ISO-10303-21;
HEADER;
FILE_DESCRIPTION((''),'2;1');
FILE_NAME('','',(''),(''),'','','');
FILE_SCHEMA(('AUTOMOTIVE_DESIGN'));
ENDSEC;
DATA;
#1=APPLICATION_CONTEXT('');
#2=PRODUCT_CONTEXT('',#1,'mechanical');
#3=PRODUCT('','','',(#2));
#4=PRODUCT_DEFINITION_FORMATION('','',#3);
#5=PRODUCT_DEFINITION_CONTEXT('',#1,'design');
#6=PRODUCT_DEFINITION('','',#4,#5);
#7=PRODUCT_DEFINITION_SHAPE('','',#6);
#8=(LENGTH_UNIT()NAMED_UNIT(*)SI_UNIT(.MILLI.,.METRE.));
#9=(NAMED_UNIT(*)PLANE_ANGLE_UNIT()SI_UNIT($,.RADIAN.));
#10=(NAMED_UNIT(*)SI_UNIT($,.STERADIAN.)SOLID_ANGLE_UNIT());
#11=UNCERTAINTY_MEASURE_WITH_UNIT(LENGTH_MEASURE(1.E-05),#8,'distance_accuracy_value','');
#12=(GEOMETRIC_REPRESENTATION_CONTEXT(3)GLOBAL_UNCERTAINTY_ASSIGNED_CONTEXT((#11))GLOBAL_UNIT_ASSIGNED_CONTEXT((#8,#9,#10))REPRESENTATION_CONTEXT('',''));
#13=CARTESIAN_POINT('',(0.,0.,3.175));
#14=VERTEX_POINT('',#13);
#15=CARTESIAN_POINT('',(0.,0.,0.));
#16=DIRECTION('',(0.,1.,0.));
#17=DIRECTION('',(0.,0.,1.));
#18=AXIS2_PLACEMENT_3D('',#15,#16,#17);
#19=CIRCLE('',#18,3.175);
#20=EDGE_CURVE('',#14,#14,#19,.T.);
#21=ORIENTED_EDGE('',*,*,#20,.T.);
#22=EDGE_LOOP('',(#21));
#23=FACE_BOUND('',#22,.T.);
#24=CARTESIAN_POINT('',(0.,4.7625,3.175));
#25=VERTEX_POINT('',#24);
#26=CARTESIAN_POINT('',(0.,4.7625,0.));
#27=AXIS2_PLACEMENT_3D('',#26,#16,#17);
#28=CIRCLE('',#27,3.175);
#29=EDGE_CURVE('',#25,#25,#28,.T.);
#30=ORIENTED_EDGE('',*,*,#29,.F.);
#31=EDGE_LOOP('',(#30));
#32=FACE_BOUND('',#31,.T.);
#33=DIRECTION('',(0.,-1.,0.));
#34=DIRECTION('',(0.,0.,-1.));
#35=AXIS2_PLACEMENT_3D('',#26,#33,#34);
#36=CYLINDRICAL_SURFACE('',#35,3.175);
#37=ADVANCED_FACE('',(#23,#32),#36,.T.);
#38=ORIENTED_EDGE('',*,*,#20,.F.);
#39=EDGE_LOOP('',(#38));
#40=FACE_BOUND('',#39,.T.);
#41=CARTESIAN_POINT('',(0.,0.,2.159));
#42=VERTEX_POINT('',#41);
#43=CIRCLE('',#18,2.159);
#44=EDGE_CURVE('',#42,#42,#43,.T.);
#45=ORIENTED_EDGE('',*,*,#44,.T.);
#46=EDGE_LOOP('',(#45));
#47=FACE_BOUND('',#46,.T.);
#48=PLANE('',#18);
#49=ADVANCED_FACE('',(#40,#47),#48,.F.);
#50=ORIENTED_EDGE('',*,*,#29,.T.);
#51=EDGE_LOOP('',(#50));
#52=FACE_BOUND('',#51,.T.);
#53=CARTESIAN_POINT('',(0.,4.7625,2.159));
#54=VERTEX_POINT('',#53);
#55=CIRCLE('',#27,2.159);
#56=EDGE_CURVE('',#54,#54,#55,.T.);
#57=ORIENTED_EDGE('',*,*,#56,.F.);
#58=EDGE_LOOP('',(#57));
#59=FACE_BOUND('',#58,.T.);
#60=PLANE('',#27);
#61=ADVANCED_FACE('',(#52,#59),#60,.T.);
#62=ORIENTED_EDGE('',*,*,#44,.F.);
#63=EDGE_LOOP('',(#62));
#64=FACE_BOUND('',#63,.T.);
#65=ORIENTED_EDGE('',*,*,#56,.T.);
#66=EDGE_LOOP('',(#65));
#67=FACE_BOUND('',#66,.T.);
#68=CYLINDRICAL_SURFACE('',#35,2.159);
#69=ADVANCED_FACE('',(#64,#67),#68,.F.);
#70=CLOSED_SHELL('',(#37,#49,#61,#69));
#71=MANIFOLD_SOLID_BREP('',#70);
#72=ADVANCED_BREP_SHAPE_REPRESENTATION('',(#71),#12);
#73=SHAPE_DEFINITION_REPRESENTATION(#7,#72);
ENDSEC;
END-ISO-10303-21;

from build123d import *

# Parameters (mm, degrees)
SKETCH1_R           = 3.175
SKETCH1_R_2         = 2.159
BOSS_EXTRUDE1_DEPTH = 4.7625


with BuildPart() as part:
    # Sketch1 → Boss-Extrude1 (new body)
    with BuildSketch(Plane(origin=(0, 0, 0), x_dir=(1, 0, 0), z_dir=(0, 1, 0))):
        Circle(SKETCH1_R)
        Circle(SKETCH1_R_2, mode=Mode.SUBTRACT)
    extrude(amount=BOSS_EXTRUDE1_DEPTH)


solid = part.part
